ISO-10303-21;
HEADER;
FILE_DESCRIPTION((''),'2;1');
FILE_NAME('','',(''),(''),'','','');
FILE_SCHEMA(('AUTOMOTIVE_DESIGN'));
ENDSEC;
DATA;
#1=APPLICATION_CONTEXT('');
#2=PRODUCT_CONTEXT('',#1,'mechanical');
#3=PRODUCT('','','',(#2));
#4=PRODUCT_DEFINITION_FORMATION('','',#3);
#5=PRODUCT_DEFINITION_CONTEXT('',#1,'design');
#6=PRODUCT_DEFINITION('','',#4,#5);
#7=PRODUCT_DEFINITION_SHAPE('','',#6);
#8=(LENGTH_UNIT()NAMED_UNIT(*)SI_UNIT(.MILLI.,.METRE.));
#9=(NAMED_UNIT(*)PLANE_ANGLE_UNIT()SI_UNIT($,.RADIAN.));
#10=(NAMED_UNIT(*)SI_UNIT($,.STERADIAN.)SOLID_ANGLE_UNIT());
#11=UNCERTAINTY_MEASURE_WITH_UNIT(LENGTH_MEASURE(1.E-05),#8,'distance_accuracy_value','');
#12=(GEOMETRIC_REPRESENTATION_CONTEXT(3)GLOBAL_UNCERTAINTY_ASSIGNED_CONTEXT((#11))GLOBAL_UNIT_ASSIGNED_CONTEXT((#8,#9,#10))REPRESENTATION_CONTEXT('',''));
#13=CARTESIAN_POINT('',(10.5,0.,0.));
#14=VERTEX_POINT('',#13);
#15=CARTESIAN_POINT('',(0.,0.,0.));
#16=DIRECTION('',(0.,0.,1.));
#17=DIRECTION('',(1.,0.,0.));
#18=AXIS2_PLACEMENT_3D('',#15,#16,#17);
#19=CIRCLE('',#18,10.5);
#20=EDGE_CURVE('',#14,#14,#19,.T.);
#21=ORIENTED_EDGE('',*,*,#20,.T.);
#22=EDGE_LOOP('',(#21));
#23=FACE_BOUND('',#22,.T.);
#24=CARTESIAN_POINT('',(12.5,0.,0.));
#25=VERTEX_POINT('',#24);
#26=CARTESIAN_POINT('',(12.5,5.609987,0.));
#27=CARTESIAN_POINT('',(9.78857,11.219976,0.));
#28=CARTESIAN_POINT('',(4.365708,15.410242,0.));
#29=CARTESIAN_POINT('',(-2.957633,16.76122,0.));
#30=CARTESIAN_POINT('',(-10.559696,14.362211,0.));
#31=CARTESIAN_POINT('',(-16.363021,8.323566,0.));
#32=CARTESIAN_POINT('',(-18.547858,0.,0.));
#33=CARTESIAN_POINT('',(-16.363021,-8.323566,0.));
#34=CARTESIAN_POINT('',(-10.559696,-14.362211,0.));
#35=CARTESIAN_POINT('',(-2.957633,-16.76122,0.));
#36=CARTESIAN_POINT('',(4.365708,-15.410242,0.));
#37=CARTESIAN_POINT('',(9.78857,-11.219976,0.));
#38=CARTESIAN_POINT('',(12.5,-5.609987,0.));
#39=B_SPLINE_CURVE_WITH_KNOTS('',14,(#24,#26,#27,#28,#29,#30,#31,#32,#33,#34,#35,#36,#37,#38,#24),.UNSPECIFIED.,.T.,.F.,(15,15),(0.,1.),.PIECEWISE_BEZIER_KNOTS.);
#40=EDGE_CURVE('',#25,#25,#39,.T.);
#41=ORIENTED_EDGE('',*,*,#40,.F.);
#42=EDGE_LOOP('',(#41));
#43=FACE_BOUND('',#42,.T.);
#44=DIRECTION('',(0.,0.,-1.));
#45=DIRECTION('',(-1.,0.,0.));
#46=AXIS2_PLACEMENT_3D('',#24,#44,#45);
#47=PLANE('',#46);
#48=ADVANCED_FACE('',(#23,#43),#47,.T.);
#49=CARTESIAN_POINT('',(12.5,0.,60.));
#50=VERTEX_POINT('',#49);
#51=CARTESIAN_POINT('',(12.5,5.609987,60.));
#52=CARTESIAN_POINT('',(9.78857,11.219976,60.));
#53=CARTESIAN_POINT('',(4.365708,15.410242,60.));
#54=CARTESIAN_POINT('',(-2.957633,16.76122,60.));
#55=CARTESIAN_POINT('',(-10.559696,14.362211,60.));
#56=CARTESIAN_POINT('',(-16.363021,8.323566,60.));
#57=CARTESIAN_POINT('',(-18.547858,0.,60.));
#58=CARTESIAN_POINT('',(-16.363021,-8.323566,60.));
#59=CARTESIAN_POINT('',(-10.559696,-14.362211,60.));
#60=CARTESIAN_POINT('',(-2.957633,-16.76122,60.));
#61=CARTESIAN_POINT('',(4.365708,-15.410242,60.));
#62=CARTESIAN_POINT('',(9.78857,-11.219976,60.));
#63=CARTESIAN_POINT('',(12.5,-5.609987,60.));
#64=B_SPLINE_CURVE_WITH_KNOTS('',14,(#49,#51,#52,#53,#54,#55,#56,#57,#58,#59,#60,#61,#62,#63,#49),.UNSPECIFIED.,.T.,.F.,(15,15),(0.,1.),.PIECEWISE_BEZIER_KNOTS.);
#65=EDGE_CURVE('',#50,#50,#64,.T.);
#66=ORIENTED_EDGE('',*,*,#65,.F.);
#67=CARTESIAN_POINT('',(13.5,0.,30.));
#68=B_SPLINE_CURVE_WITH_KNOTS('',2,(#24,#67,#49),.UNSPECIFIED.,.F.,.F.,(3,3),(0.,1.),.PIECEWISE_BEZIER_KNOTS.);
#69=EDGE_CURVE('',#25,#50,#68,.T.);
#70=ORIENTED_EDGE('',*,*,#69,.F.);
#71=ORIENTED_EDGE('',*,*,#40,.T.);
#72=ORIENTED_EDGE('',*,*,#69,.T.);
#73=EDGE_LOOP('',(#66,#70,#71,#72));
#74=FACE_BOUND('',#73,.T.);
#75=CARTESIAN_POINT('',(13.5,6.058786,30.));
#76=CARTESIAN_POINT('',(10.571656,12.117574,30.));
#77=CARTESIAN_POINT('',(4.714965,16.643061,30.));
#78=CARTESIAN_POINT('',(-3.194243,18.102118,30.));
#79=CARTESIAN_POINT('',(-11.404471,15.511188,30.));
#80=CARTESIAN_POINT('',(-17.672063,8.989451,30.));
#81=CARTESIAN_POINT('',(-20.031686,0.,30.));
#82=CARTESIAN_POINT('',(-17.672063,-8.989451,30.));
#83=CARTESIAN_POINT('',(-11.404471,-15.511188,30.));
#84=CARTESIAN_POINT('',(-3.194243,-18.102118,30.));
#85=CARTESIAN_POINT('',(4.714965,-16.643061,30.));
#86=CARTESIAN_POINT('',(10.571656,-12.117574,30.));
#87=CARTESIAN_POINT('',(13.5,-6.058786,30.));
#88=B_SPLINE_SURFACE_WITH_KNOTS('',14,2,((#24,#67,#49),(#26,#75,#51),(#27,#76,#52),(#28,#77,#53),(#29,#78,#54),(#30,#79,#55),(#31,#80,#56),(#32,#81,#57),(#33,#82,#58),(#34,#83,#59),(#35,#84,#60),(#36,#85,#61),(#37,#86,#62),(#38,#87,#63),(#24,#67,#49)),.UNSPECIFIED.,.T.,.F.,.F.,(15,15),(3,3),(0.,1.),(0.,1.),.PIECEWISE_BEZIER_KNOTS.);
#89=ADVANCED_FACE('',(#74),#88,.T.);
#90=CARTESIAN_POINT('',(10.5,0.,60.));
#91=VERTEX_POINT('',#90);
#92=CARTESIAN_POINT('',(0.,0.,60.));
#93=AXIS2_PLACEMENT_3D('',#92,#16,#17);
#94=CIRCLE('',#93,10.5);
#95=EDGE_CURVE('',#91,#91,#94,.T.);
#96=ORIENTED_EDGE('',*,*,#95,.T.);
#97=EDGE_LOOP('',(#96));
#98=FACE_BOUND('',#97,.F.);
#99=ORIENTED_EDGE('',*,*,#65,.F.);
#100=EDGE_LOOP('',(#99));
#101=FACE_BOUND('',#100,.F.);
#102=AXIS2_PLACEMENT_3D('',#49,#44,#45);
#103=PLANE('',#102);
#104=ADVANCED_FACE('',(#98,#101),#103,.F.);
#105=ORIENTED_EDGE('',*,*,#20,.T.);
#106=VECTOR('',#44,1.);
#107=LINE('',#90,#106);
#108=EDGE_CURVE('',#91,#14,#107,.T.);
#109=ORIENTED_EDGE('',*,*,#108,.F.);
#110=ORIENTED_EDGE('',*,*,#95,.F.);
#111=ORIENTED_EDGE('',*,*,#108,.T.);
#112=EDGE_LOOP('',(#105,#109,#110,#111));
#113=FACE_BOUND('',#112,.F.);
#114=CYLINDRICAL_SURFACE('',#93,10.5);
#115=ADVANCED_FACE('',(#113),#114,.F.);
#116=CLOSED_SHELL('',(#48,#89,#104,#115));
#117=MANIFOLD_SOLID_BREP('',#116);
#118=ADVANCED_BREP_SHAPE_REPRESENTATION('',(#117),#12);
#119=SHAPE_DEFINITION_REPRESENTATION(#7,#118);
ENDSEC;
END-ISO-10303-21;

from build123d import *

# Parameters (mm, degrees)
SKETCH001_R  = 12.5
SKETCH_R     = 13
SKETCH002_R  = 12.5
SKETCH003_R  = 10.5
POCKET_DEPTH = 60.001


with BuildPart() as part:
    # Sketch001 → AdditiveLoft section 0
    with BuildSketch(Plane.XY):
        Circle(SKETCH001_R)
    # Sketch → AdditiveLoft section 1
    with BuildSketch(Plane.XY.offset(30)):
        Circle(SKETCH_R)
    # Sketch002 → AdditiveLoft section 2
    with BuildSketch(Plane.XY.offset(60)):
        Circle(SKETCH002_R)
    loft()

    # Sketch003 (on Face3 of AdditiveLoft) → Pocket (cut, through all)
    with BuildSketch(Plane.XY.offset(60)):
        Circle(SKETCH003_R)
    extrude(amount=-POCKET_DEPTH, mode=Mode.SUBTRACT)


solid = part.part
